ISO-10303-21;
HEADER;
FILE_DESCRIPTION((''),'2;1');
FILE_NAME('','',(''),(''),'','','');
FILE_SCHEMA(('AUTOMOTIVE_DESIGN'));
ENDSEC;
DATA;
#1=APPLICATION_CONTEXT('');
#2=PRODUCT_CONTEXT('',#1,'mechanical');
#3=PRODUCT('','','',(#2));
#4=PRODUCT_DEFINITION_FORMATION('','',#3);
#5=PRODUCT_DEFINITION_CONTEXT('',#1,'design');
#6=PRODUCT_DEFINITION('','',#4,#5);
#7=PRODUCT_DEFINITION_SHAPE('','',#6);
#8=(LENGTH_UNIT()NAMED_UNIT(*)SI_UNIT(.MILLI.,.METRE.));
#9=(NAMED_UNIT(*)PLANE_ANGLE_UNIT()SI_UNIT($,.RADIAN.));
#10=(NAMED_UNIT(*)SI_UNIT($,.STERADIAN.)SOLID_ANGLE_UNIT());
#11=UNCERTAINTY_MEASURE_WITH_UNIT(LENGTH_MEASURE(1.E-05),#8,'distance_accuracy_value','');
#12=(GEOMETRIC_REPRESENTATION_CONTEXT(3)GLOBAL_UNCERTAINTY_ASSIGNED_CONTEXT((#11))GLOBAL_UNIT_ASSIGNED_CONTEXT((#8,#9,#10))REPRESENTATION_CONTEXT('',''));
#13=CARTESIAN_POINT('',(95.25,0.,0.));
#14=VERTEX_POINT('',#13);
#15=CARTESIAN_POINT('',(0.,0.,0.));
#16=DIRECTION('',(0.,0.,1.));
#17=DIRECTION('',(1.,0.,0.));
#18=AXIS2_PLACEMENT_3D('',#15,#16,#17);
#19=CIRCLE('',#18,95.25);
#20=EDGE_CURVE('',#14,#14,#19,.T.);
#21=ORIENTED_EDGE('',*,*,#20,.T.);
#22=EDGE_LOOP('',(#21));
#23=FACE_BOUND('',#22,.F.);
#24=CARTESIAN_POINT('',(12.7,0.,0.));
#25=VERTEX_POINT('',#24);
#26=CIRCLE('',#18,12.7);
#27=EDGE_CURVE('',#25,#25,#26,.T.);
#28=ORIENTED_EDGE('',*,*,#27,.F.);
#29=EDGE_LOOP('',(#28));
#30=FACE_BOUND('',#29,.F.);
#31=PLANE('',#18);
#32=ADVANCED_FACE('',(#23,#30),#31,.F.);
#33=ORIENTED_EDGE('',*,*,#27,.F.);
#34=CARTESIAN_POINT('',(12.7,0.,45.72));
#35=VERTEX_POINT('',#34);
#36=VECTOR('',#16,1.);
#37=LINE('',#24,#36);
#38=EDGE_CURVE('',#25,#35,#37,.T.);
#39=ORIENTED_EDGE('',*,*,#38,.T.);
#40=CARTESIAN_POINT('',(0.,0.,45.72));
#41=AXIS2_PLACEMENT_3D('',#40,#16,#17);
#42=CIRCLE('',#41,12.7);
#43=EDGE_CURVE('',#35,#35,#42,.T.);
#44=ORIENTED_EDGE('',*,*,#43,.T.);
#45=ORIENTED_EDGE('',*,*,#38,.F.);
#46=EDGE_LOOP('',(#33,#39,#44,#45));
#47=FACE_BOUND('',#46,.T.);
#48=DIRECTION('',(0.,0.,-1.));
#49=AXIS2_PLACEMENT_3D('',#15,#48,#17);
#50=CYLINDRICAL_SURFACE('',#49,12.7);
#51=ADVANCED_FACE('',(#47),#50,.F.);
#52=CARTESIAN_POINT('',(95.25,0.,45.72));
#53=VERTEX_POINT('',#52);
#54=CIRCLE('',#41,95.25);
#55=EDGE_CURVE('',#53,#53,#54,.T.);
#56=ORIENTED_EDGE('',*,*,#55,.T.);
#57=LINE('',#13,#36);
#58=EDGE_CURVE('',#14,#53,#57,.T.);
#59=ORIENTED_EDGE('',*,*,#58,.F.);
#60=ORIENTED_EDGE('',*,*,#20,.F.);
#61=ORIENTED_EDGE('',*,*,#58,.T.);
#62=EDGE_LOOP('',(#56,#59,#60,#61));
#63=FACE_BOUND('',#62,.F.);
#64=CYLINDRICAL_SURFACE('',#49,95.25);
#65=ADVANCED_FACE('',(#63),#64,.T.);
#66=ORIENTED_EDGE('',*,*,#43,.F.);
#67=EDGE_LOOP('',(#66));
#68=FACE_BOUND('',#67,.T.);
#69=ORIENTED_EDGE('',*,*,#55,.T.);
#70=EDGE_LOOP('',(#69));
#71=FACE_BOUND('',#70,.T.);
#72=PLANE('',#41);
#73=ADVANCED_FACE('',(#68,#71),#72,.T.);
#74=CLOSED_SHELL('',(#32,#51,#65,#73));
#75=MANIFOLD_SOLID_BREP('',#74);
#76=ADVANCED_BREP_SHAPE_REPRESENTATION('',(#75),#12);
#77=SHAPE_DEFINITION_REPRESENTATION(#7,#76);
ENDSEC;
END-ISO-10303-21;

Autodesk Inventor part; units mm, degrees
ref_plane "YZ Plane" through (0, 0, 0) normal (1, 0, 0) x (0, 1, 0)
ref_plane "XZ Plane" through (0, 0, 0) normal (0, 1, 0) x (-1, 0, 0)
ref_plane "XY Plane" through (0, 0, 0) normal (0, 0, 1) x (1, 0, 0)
sketch "Sketch1" plane through (0, 0, 0) normal (0, 0, 1) x (1, 0, 0)
  circle A0 centre (0, 0) radius 95.25
  circle A1 centre (0, 0) radius 12.7
  dimension "d0" = 190.5
  dimension "d1" = 25.4
extrude "Extrusion1" add sketch "Sketch1" along normal blind 45.72
properties part number "8 inch wheel mock up"
